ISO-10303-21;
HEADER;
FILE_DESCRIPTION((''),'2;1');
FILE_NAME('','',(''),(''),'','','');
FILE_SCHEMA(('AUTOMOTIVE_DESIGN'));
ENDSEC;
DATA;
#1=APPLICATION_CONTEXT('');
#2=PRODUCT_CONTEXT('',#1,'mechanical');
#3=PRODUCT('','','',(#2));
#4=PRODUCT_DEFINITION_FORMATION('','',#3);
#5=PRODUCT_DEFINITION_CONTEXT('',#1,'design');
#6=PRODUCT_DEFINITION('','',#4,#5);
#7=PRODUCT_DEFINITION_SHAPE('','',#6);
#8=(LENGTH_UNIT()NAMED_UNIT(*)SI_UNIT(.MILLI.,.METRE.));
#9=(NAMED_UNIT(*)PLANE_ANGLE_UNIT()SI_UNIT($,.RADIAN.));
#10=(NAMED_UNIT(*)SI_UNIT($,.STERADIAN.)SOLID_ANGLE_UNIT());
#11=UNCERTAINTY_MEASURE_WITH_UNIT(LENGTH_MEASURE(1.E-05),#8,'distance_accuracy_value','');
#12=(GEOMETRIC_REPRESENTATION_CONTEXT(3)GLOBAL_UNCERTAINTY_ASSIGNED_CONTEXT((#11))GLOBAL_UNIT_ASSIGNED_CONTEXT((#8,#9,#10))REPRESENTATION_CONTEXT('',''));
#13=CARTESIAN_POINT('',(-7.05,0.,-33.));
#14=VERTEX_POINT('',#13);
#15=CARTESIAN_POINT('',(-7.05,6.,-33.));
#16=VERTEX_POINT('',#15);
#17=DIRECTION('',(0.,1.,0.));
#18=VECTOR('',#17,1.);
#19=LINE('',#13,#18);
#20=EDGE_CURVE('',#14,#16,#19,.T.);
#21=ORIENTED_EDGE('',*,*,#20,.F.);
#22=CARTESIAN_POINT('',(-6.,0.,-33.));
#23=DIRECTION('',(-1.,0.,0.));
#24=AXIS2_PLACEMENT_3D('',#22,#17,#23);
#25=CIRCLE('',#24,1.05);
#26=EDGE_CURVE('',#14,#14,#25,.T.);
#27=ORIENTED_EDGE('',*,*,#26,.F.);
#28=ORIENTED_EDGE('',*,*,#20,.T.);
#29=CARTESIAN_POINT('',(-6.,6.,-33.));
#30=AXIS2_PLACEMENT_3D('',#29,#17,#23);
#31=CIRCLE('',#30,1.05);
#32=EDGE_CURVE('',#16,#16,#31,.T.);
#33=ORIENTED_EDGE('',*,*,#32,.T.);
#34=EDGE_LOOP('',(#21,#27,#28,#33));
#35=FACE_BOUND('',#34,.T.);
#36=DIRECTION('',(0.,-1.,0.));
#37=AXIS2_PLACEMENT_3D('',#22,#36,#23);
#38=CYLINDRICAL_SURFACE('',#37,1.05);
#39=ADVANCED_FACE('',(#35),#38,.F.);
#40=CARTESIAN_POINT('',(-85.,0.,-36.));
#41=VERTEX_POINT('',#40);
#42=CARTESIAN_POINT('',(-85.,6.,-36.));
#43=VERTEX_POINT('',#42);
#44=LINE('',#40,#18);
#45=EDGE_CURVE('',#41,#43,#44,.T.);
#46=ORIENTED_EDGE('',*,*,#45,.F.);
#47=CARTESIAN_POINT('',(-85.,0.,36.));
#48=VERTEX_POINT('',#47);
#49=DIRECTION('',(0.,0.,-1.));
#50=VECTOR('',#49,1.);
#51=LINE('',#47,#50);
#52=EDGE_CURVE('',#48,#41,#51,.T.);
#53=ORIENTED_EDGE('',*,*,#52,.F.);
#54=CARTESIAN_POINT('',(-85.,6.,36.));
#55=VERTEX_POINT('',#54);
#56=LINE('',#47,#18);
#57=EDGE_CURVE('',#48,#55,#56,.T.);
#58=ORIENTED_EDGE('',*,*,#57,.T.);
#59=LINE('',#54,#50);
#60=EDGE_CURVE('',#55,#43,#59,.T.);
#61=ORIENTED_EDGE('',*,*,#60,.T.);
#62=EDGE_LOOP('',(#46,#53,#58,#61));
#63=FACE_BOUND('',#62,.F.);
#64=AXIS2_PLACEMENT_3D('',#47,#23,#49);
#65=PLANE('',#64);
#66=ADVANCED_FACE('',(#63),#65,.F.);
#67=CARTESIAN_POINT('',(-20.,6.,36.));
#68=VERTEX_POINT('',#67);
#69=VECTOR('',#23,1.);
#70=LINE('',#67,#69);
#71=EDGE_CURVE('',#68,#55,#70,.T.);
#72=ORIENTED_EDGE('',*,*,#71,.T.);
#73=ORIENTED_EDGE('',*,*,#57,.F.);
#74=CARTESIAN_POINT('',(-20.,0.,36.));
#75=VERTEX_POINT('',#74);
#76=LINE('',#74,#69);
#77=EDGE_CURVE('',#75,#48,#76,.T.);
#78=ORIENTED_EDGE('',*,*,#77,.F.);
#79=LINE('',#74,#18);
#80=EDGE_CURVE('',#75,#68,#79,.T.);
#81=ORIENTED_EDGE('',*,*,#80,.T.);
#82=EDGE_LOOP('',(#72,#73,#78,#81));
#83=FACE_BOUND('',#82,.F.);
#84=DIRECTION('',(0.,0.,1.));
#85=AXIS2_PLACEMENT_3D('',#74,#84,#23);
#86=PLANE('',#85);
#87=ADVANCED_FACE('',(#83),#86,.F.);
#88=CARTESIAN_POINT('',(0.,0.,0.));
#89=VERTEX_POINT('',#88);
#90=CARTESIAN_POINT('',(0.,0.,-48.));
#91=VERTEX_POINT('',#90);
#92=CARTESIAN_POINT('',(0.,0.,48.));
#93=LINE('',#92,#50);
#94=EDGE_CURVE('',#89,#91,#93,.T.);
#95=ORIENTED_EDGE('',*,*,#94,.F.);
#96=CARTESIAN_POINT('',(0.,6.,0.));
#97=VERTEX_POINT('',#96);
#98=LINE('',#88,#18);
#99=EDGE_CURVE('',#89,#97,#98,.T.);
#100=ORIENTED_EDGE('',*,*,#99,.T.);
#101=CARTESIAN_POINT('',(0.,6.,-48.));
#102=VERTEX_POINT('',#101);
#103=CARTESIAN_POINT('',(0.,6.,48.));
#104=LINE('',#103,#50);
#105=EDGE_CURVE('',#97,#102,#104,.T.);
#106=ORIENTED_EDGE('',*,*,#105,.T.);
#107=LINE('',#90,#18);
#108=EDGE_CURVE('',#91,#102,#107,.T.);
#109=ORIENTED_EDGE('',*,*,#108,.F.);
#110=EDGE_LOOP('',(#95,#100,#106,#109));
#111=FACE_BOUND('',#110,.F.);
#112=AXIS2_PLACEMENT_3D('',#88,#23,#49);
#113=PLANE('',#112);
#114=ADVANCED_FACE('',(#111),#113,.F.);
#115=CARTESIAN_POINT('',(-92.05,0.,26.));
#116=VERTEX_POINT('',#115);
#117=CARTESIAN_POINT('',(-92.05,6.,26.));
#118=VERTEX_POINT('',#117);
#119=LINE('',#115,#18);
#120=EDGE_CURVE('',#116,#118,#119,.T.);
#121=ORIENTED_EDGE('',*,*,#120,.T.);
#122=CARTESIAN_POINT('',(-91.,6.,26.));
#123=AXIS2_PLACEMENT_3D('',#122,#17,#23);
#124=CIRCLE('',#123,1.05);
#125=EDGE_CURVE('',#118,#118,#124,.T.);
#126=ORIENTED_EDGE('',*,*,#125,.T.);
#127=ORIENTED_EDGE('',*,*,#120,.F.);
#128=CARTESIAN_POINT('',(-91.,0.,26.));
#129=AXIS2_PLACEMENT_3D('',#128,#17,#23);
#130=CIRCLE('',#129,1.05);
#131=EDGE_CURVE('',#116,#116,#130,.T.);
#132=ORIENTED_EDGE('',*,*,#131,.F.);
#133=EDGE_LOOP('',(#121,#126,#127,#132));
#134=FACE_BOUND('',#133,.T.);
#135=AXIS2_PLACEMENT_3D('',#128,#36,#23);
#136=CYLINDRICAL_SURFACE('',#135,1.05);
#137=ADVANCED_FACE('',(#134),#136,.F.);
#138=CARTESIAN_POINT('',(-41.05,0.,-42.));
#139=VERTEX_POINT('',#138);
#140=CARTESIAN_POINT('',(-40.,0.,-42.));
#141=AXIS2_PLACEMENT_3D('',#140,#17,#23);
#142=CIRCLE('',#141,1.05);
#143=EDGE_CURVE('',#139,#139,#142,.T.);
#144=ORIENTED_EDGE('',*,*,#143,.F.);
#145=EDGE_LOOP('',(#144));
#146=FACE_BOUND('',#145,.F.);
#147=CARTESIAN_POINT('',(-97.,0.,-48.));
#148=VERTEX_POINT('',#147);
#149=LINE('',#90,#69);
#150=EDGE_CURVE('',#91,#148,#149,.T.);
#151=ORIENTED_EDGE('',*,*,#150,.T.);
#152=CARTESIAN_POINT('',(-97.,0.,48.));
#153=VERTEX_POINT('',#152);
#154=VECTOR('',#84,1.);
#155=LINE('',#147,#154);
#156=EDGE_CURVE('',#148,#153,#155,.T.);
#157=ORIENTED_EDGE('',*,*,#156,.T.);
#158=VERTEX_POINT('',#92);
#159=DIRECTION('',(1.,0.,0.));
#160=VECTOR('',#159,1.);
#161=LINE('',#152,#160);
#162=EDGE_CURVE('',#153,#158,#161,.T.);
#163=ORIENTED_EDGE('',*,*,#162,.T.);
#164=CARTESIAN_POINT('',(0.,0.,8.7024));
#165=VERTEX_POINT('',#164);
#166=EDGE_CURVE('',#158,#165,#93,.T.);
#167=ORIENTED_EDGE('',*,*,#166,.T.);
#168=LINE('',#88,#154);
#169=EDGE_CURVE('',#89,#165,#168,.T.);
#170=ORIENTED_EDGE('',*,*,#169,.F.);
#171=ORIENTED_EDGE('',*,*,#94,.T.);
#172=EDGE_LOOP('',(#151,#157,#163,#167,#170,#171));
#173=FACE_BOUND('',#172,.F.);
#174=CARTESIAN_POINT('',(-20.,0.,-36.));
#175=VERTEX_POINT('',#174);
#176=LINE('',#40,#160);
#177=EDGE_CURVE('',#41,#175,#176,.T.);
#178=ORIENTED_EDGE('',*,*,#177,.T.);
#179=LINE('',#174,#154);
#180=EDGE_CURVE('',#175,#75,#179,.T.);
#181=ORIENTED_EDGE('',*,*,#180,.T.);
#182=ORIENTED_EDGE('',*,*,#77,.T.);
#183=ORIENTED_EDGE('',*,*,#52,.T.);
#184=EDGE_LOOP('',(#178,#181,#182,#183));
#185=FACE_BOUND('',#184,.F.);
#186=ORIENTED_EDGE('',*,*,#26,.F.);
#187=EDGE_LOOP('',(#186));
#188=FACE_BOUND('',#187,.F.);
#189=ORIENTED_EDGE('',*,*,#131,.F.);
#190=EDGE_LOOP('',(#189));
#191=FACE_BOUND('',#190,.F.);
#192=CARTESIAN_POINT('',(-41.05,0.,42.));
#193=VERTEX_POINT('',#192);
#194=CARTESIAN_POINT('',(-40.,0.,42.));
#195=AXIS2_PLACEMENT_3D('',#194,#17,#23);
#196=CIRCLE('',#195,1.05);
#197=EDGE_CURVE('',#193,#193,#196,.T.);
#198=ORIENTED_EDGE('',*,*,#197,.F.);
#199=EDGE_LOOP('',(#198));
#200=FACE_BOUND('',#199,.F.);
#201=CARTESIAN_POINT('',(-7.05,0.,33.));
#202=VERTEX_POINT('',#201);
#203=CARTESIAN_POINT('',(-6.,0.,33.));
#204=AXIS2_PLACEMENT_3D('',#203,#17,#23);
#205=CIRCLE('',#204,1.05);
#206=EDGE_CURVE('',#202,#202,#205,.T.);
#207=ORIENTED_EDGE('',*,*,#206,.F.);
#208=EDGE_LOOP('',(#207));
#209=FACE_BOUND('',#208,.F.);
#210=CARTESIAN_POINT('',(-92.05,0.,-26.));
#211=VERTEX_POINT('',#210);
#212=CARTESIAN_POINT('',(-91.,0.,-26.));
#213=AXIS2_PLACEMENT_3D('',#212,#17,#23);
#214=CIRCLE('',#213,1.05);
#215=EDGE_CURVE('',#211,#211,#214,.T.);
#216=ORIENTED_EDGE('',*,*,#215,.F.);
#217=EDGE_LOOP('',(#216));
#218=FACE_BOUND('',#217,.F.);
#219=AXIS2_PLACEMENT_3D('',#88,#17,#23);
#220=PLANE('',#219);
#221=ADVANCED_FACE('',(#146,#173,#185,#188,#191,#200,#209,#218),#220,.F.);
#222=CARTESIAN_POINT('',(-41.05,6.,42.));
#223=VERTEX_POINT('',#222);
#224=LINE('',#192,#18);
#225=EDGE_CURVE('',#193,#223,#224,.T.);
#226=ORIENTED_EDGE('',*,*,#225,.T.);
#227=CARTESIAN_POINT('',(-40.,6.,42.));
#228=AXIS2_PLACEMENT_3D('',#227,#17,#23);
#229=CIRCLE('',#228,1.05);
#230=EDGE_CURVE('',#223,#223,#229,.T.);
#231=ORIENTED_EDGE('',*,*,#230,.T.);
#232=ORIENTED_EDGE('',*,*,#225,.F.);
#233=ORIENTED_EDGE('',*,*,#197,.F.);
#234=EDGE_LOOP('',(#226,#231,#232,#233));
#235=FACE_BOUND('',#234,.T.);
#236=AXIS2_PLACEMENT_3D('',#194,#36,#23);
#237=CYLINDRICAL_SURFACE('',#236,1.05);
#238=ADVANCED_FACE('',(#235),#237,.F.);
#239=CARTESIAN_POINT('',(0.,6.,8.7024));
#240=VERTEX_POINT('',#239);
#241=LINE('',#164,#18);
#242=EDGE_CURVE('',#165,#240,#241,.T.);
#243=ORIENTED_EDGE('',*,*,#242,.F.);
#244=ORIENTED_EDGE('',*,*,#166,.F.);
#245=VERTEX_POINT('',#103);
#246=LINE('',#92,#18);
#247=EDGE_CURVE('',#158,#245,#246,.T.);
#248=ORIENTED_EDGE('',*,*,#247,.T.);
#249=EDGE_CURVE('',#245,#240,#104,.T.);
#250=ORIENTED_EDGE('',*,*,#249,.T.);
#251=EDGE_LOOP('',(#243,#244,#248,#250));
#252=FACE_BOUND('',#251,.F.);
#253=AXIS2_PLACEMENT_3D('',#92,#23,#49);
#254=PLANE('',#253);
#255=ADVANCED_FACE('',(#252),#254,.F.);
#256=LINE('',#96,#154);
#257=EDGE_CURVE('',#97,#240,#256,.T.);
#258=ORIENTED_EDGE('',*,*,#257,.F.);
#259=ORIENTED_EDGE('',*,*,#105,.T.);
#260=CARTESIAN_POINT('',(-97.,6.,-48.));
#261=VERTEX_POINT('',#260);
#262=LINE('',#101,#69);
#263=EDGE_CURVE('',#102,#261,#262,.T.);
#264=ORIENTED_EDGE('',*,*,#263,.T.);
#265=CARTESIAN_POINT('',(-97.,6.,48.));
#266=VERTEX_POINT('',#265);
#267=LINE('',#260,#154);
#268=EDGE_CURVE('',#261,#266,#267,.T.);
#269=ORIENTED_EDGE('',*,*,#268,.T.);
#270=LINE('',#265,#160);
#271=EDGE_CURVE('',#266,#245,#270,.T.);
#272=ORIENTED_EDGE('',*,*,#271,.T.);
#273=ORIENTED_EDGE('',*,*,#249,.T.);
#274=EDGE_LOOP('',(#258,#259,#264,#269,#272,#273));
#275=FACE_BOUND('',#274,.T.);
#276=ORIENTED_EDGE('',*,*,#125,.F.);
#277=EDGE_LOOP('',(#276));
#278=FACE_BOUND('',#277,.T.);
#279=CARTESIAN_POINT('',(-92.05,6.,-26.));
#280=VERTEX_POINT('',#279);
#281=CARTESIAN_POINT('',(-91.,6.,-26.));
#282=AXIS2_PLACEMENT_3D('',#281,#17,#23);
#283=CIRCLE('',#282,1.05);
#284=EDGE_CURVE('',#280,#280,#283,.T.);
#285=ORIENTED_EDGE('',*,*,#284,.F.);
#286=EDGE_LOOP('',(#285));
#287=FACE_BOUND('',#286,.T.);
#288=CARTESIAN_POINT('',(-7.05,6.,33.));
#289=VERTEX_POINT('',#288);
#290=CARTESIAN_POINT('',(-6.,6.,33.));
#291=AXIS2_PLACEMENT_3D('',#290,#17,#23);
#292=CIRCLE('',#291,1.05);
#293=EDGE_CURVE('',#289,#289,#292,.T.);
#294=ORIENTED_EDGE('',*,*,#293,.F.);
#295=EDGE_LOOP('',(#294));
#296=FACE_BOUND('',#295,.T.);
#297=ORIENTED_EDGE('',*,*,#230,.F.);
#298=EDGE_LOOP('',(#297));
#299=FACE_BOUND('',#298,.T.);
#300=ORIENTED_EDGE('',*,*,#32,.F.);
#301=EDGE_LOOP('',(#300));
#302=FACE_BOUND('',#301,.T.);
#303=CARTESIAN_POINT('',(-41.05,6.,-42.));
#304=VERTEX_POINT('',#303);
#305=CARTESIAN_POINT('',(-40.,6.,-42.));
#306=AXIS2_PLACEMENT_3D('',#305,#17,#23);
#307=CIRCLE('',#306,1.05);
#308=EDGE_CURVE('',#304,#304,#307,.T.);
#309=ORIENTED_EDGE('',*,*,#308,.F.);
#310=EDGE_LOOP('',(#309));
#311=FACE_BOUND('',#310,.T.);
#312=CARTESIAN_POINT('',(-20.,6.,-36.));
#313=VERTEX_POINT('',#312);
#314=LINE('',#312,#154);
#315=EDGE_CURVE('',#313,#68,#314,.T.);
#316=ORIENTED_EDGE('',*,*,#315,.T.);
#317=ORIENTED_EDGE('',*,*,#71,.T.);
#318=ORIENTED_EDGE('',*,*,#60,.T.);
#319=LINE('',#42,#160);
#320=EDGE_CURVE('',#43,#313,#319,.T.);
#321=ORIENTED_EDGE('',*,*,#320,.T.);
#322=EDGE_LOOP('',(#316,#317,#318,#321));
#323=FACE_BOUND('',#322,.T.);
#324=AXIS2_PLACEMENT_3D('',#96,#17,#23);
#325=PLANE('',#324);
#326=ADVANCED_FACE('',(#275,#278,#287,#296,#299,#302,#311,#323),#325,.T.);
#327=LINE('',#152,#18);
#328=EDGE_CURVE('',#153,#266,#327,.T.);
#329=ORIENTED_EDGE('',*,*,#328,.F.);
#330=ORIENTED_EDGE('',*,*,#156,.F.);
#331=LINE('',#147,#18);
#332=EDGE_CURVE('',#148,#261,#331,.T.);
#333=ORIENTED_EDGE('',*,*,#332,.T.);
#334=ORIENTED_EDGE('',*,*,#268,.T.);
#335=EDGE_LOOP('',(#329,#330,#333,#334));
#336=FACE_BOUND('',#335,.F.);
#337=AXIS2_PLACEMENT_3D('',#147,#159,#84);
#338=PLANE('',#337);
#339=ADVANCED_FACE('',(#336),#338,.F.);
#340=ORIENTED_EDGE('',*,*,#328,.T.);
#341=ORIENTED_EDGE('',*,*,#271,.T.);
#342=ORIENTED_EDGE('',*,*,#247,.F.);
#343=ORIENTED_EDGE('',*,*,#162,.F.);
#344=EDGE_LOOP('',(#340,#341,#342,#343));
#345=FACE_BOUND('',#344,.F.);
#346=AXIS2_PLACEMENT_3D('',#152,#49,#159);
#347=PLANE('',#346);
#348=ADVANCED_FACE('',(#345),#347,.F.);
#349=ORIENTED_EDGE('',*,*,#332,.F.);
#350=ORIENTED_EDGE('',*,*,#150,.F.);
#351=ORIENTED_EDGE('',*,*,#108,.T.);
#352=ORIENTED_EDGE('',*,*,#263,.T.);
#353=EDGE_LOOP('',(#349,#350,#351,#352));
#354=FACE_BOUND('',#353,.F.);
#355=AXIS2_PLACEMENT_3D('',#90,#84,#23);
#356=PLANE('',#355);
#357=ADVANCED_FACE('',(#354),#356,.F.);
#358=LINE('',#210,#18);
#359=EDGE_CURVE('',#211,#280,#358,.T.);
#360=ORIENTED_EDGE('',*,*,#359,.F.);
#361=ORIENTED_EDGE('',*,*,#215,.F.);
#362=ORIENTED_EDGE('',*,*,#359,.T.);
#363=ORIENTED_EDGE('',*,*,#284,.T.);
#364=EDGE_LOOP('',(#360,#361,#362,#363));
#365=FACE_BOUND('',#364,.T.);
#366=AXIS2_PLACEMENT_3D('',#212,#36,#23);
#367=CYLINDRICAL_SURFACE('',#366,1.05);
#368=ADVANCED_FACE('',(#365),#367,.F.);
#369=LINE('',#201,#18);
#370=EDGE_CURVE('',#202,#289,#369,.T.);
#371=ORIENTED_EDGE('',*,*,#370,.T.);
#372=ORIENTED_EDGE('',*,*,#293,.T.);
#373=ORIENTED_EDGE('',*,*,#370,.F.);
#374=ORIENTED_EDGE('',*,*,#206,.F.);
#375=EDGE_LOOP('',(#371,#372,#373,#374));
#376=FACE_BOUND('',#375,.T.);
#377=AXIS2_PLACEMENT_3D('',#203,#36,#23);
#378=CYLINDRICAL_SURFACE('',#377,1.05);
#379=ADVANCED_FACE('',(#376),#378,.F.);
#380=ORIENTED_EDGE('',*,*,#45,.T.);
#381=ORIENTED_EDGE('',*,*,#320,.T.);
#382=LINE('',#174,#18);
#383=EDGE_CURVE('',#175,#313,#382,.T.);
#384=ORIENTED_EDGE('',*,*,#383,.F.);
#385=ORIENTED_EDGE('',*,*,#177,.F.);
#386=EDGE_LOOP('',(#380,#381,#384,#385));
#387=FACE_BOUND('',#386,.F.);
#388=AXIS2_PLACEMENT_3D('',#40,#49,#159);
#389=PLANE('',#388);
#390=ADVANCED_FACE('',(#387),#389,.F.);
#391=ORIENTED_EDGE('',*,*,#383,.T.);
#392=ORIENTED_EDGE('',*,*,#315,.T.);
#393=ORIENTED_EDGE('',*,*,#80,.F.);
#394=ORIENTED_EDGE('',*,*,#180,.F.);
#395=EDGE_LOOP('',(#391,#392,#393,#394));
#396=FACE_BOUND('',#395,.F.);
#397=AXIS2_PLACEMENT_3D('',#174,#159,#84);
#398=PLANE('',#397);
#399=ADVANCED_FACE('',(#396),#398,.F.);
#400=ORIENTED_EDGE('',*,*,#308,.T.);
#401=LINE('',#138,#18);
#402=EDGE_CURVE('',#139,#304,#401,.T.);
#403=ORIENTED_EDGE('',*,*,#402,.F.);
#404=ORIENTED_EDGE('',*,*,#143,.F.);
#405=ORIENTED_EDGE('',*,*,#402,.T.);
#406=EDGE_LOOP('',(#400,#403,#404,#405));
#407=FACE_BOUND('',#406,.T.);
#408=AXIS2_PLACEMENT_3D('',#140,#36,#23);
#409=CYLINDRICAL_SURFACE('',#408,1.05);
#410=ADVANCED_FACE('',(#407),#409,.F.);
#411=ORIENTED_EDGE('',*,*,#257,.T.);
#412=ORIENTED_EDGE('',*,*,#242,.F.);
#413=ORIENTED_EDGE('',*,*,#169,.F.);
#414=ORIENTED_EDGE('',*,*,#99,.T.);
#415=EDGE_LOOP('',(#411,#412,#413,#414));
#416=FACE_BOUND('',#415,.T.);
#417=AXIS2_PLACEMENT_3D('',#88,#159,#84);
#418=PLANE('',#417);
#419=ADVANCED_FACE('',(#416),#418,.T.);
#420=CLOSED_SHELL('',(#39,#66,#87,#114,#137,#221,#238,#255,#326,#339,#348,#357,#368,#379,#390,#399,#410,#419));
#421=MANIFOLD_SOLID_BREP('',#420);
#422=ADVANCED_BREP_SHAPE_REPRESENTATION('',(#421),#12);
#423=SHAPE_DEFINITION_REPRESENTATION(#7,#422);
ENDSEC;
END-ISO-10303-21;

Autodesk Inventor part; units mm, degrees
ref_plane "YZ Plane" through (0, 0, 0) normal (1, 0, 0) x (0, 1, 0)
ref_plane "XZ Plane" through (0, 0, 0) normal (0, 1, 0) x (-1, 0, 0)
ref_plane "XY Plane" through (0, 0, 0) normal (0, 0, 1) x (1, 0, 0)
sketch "Sketch1" plane through (0, 0, 0) normal (0, 1, 0) x (-1, 0, 0)
  line L0 (0, 0) -> (-5.6352, 0)
  line L1 (-5.6352, 0) -> (0, 0)
  line L2 (0, 0) -> (0, 8.7024)
  line L3 (0, -48) -> (97, -48)
  line L4 (97, -48) -> (97, 48)
  line L5 (97, 48) -> (0, 48)
  line L6 (0, 48) -> (0, -48)
  line L7 (85, -36) -> (20, -36)
  line L8 (20, -36) -> (20, 36)
  line L9 (20, 36) -> (85, 36)
  line L10 (85, 36) -> (85, -36)
  circle A0 centre (6, 33) radius 1.05
  circle A1 centre (6, -33) radius 1.05
  circle A2 centre (40, 42) radius 1.05
  circle A3 centre (91, 26) radius 1.05
  circle A4 centre (40, -42) radius 1.05
  circle A5 centre (91, -26) radius 1.05
  point P0 (0, -8.7024)
  dimension "d22" = 12
  dimension "d23" = 12
  dimension "d24" = 12
  dimension "d25" = 20
  dimension "d26" = 65
  dimension "d28" = 2.1
  dimension "d30" = 3
  dimension "d31" = 72
  dimension "d32" = 6
  dimension "d33" = 6
  dimension "d34" = 6
  dimension "d35" = 20
  dimension "d36" = 10
extrude "Extrusion1" add sketch "Sketch1" along normal blind 6
equation "\"d22\" = d23"
equation "\"d24\" = d23"
properties part number "case_back_fix" material "Acrylic, Clear"
